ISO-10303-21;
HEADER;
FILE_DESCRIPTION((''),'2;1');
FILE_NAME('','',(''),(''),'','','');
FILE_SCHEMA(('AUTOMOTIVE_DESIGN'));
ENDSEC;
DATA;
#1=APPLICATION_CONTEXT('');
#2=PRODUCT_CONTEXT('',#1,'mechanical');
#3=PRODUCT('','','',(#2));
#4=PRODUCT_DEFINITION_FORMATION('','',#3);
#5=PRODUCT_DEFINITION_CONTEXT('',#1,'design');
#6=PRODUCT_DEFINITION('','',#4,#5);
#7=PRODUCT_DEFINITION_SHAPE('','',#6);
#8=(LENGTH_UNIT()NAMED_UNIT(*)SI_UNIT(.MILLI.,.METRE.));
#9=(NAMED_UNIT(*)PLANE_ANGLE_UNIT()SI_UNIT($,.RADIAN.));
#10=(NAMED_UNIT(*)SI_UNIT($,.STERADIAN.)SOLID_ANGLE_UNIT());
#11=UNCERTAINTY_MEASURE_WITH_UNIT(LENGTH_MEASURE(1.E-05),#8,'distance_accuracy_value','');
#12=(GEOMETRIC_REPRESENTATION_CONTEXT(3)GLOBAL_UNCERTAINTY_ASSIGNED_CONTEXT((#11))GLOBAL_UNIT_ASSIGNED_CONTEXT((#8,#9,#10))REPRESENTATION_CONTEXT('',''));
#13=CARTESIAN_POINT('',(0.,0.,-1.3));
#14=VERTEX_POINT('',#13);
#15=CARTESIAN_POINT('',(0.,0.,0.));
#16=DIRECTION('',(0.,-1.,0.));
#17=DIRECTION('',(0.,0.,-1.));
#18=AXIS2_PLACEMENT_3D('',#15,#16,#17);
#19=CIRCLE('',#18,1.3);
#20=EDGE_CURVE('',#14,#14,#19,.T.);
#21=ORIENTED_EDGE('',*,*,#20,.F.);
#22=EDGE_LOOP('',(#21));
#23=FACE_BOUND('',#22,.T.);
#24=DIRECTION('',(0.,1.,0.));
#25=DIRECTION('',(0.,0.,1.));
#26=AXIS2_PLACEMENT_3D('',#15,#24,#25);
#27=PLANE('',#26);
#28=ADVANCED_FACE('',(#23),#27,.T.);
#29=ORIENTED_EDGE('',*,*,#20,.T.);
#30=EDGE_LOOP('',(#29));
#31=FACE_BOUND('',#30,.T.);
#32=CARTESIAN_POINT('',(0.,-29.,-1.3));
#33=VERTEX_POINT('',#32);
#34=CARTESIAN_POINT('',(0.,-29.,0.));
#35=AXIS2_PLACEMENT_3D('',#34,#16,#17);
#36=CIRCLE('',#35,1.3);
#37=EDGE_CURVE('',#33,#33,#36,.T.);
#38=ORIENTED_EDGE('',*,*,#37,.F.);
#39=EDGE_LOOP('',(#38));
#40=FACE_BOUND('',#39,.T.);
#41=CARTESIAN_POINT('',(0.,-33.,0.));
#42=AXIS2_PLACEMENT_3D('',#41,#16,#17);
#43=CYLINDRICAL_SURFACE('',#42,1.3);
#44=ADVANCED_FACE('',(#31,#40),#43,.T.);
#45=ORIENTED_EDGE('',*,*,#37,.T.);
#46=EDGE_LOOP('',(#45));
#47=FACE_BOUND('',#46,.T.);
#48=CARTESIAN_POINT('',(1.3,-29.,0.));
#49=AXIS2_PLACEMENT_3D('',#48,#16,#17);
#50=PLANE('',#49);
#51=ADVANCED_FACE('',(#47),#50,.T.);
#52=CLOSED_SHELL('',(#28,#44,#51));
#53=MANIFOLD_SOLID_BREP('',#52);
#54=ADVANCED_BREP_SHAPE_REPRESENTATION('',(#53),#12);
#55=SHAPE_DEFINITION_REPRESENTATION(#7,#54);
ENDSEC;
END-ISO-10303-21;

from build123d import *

# Parameters (mm, degrees)
SKETCH1_W = 1.3
SKETCH1_H = 29


with BuildPart() as part:
    # Sketch1 → Tendon (revolve)
    with BuildSketch(Plane.XY, mode=Mode.PRIVATE) as tendon_sk:
        with Locations((0.65, -14.5)):
            Rectangle(SKETCH1_W, SKETCH1_H)
    revolve(tendon_sk.sketch.rotate(Axis((0, -33, 0), (0, 1, 0)), 90), axis=Axis((0, -33, 0), (0, 1, 0)))


solid = part.part
